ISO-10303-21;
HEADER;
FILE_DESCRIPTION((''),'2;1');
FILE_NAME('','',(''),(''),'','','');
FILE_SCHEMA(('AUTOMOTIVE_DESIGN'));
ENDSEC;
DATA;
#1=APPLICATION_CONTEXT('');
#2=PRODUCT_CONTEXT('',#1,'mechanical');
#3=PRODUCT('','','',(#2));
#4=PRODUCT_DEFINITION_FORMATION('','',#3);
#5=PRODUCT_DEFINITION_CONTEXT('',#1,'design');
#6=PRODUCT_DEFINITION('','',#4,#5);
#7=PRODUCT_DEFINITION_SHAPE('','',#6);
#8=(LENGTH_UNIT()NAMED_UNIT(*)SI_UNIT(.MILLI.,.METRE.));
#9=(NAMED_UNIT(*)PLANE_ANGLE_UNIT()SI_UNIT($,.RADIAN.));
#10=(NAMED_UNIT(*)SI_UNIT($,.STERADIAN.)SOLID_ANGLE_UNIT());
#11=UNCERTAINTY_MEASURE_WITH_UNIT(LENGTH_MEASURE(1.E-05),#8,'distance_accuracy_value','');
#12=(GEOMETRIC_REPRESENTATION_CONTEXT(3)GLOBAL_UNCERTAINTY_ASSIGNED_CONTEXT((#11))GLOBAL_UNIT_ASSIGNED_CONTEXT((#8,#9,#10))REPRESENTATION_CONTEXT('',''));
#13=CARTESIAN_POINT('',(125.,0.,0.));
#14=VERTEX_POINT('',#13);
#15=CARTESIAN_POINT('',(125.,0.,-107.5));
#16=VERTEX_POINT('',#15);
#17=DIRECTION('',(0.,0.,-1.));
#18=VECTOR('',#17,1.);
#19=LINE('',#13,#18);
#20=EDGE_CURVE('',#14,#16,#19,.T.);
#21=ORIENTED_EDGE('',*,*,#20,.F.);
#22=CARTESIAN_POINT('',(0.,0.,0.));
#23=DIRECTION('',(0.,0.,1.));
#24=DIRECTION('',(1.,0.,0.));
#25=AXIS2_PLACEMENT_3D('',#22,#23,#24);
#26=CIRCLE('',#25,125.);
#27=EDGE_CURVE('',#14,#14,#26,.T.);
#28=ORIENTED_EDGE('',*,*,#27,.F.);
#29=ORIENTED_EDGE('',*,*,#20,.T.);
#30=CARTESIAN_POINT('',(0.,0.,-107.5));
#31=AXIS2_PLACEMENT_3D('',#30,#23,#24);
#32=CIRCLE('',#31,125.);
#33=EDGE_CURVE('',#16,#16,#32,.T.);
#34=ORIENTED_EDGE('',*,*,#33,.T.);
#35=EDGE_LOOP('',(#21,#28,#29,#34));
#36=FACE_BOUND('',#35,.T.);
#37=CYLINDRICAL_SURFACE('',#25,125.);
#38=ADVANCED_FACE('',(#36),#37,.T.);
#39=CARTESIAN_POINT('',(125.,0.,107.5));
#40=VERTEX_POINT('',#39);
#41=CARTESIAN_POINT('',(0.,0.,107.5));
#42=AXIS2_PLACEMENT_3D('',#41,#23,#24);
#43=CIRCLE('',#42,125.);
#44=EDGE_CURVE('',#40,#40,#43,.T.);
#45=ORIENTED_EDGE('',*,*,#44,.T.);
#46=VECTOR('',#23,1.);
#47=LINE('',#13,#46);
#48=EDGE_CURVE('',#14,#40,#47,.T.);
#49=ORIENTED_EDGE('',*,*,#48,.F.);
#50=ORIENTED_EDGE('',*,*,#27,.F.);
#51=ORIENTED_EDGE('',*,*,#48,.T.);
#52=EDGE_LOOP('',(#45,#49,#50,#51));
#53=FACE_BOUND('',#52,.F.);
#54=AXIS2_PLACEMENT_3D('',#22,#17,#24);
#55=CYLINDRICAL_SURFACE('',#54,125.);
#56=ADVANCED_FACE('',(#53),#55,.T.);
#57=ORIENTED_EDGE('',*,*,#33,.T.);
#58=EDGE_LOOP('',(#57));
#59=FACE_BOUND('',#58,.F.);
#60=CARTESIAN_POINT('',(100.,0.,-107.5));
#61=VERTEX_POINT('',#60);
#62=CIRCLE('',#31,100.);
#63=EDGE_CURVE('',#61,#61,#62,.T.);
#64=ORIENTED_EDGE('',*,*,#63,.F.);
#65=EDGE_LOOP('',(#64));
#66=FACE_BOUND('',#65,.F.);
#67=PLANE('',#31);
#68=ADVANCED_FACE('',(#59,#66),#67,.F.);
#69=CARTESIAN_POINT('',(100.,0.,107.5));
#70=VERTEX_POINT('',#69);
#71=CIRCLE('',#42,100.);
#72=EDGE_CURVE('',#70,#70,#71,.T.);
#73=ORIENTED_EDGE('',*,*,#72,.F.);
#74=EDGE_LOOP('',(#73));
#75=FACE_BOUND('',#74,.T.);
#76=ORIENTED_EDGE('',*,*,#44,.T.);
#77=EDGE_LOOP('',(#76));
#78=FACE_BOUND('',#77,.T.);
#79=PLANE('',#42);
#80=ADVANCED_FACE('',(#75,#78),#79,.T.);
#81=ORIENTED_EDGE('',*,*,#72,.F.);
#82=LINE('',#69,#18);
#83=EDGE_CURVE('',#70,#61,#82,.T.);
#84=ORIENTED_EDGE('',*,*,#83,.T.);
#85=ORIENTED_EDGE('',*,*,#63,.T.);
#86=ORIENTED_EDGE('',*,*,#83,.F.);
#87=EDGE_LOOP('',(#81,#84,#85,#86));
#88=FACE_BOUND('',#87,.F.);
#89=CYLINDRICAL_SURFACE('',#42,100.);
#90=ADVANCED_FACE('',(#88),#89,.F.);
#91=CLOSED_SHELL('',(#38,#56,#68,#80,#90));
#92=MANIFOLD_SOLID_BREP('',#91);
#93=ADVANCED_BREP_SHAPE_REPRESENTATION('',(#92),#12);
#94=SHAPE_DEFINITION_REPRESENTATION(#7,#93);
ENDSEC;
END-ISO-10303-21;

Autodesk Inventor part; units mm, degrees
ref_plane "YZ Plane" through (0, 0, 0) normal (1, 0, 0) x (0, 1, 0)
ref_plane "XZ Plane" through (0, 0, 0) normal (0, 1, 0) x (-1, 0, 0)
ref_plane "XY Plane" through (0, 0, 0) normal (0, 0, 1) x (1, 0, 0)
sketch "Sketch1" plane through (0, 0, 0) normal (0, 0, 1) x (1, 0, 0)
  circle A0 centre (0, 0) radius 125
  dimension "d0" = 250
extrude "Extrusion1" add sketch "Sketch1" along normal mid plane 215
sketch "Sketch2" plane through (0, 0, 107.5) normal (0, 0, 1) x (1, 0, 0)
  circle A0 centre (0, 0) radius 100
  dimension "d3" = 200
extrude "Extrusion2" cut sketch "Sketch2" against normal through all
properties part number "AGBL02_5"
